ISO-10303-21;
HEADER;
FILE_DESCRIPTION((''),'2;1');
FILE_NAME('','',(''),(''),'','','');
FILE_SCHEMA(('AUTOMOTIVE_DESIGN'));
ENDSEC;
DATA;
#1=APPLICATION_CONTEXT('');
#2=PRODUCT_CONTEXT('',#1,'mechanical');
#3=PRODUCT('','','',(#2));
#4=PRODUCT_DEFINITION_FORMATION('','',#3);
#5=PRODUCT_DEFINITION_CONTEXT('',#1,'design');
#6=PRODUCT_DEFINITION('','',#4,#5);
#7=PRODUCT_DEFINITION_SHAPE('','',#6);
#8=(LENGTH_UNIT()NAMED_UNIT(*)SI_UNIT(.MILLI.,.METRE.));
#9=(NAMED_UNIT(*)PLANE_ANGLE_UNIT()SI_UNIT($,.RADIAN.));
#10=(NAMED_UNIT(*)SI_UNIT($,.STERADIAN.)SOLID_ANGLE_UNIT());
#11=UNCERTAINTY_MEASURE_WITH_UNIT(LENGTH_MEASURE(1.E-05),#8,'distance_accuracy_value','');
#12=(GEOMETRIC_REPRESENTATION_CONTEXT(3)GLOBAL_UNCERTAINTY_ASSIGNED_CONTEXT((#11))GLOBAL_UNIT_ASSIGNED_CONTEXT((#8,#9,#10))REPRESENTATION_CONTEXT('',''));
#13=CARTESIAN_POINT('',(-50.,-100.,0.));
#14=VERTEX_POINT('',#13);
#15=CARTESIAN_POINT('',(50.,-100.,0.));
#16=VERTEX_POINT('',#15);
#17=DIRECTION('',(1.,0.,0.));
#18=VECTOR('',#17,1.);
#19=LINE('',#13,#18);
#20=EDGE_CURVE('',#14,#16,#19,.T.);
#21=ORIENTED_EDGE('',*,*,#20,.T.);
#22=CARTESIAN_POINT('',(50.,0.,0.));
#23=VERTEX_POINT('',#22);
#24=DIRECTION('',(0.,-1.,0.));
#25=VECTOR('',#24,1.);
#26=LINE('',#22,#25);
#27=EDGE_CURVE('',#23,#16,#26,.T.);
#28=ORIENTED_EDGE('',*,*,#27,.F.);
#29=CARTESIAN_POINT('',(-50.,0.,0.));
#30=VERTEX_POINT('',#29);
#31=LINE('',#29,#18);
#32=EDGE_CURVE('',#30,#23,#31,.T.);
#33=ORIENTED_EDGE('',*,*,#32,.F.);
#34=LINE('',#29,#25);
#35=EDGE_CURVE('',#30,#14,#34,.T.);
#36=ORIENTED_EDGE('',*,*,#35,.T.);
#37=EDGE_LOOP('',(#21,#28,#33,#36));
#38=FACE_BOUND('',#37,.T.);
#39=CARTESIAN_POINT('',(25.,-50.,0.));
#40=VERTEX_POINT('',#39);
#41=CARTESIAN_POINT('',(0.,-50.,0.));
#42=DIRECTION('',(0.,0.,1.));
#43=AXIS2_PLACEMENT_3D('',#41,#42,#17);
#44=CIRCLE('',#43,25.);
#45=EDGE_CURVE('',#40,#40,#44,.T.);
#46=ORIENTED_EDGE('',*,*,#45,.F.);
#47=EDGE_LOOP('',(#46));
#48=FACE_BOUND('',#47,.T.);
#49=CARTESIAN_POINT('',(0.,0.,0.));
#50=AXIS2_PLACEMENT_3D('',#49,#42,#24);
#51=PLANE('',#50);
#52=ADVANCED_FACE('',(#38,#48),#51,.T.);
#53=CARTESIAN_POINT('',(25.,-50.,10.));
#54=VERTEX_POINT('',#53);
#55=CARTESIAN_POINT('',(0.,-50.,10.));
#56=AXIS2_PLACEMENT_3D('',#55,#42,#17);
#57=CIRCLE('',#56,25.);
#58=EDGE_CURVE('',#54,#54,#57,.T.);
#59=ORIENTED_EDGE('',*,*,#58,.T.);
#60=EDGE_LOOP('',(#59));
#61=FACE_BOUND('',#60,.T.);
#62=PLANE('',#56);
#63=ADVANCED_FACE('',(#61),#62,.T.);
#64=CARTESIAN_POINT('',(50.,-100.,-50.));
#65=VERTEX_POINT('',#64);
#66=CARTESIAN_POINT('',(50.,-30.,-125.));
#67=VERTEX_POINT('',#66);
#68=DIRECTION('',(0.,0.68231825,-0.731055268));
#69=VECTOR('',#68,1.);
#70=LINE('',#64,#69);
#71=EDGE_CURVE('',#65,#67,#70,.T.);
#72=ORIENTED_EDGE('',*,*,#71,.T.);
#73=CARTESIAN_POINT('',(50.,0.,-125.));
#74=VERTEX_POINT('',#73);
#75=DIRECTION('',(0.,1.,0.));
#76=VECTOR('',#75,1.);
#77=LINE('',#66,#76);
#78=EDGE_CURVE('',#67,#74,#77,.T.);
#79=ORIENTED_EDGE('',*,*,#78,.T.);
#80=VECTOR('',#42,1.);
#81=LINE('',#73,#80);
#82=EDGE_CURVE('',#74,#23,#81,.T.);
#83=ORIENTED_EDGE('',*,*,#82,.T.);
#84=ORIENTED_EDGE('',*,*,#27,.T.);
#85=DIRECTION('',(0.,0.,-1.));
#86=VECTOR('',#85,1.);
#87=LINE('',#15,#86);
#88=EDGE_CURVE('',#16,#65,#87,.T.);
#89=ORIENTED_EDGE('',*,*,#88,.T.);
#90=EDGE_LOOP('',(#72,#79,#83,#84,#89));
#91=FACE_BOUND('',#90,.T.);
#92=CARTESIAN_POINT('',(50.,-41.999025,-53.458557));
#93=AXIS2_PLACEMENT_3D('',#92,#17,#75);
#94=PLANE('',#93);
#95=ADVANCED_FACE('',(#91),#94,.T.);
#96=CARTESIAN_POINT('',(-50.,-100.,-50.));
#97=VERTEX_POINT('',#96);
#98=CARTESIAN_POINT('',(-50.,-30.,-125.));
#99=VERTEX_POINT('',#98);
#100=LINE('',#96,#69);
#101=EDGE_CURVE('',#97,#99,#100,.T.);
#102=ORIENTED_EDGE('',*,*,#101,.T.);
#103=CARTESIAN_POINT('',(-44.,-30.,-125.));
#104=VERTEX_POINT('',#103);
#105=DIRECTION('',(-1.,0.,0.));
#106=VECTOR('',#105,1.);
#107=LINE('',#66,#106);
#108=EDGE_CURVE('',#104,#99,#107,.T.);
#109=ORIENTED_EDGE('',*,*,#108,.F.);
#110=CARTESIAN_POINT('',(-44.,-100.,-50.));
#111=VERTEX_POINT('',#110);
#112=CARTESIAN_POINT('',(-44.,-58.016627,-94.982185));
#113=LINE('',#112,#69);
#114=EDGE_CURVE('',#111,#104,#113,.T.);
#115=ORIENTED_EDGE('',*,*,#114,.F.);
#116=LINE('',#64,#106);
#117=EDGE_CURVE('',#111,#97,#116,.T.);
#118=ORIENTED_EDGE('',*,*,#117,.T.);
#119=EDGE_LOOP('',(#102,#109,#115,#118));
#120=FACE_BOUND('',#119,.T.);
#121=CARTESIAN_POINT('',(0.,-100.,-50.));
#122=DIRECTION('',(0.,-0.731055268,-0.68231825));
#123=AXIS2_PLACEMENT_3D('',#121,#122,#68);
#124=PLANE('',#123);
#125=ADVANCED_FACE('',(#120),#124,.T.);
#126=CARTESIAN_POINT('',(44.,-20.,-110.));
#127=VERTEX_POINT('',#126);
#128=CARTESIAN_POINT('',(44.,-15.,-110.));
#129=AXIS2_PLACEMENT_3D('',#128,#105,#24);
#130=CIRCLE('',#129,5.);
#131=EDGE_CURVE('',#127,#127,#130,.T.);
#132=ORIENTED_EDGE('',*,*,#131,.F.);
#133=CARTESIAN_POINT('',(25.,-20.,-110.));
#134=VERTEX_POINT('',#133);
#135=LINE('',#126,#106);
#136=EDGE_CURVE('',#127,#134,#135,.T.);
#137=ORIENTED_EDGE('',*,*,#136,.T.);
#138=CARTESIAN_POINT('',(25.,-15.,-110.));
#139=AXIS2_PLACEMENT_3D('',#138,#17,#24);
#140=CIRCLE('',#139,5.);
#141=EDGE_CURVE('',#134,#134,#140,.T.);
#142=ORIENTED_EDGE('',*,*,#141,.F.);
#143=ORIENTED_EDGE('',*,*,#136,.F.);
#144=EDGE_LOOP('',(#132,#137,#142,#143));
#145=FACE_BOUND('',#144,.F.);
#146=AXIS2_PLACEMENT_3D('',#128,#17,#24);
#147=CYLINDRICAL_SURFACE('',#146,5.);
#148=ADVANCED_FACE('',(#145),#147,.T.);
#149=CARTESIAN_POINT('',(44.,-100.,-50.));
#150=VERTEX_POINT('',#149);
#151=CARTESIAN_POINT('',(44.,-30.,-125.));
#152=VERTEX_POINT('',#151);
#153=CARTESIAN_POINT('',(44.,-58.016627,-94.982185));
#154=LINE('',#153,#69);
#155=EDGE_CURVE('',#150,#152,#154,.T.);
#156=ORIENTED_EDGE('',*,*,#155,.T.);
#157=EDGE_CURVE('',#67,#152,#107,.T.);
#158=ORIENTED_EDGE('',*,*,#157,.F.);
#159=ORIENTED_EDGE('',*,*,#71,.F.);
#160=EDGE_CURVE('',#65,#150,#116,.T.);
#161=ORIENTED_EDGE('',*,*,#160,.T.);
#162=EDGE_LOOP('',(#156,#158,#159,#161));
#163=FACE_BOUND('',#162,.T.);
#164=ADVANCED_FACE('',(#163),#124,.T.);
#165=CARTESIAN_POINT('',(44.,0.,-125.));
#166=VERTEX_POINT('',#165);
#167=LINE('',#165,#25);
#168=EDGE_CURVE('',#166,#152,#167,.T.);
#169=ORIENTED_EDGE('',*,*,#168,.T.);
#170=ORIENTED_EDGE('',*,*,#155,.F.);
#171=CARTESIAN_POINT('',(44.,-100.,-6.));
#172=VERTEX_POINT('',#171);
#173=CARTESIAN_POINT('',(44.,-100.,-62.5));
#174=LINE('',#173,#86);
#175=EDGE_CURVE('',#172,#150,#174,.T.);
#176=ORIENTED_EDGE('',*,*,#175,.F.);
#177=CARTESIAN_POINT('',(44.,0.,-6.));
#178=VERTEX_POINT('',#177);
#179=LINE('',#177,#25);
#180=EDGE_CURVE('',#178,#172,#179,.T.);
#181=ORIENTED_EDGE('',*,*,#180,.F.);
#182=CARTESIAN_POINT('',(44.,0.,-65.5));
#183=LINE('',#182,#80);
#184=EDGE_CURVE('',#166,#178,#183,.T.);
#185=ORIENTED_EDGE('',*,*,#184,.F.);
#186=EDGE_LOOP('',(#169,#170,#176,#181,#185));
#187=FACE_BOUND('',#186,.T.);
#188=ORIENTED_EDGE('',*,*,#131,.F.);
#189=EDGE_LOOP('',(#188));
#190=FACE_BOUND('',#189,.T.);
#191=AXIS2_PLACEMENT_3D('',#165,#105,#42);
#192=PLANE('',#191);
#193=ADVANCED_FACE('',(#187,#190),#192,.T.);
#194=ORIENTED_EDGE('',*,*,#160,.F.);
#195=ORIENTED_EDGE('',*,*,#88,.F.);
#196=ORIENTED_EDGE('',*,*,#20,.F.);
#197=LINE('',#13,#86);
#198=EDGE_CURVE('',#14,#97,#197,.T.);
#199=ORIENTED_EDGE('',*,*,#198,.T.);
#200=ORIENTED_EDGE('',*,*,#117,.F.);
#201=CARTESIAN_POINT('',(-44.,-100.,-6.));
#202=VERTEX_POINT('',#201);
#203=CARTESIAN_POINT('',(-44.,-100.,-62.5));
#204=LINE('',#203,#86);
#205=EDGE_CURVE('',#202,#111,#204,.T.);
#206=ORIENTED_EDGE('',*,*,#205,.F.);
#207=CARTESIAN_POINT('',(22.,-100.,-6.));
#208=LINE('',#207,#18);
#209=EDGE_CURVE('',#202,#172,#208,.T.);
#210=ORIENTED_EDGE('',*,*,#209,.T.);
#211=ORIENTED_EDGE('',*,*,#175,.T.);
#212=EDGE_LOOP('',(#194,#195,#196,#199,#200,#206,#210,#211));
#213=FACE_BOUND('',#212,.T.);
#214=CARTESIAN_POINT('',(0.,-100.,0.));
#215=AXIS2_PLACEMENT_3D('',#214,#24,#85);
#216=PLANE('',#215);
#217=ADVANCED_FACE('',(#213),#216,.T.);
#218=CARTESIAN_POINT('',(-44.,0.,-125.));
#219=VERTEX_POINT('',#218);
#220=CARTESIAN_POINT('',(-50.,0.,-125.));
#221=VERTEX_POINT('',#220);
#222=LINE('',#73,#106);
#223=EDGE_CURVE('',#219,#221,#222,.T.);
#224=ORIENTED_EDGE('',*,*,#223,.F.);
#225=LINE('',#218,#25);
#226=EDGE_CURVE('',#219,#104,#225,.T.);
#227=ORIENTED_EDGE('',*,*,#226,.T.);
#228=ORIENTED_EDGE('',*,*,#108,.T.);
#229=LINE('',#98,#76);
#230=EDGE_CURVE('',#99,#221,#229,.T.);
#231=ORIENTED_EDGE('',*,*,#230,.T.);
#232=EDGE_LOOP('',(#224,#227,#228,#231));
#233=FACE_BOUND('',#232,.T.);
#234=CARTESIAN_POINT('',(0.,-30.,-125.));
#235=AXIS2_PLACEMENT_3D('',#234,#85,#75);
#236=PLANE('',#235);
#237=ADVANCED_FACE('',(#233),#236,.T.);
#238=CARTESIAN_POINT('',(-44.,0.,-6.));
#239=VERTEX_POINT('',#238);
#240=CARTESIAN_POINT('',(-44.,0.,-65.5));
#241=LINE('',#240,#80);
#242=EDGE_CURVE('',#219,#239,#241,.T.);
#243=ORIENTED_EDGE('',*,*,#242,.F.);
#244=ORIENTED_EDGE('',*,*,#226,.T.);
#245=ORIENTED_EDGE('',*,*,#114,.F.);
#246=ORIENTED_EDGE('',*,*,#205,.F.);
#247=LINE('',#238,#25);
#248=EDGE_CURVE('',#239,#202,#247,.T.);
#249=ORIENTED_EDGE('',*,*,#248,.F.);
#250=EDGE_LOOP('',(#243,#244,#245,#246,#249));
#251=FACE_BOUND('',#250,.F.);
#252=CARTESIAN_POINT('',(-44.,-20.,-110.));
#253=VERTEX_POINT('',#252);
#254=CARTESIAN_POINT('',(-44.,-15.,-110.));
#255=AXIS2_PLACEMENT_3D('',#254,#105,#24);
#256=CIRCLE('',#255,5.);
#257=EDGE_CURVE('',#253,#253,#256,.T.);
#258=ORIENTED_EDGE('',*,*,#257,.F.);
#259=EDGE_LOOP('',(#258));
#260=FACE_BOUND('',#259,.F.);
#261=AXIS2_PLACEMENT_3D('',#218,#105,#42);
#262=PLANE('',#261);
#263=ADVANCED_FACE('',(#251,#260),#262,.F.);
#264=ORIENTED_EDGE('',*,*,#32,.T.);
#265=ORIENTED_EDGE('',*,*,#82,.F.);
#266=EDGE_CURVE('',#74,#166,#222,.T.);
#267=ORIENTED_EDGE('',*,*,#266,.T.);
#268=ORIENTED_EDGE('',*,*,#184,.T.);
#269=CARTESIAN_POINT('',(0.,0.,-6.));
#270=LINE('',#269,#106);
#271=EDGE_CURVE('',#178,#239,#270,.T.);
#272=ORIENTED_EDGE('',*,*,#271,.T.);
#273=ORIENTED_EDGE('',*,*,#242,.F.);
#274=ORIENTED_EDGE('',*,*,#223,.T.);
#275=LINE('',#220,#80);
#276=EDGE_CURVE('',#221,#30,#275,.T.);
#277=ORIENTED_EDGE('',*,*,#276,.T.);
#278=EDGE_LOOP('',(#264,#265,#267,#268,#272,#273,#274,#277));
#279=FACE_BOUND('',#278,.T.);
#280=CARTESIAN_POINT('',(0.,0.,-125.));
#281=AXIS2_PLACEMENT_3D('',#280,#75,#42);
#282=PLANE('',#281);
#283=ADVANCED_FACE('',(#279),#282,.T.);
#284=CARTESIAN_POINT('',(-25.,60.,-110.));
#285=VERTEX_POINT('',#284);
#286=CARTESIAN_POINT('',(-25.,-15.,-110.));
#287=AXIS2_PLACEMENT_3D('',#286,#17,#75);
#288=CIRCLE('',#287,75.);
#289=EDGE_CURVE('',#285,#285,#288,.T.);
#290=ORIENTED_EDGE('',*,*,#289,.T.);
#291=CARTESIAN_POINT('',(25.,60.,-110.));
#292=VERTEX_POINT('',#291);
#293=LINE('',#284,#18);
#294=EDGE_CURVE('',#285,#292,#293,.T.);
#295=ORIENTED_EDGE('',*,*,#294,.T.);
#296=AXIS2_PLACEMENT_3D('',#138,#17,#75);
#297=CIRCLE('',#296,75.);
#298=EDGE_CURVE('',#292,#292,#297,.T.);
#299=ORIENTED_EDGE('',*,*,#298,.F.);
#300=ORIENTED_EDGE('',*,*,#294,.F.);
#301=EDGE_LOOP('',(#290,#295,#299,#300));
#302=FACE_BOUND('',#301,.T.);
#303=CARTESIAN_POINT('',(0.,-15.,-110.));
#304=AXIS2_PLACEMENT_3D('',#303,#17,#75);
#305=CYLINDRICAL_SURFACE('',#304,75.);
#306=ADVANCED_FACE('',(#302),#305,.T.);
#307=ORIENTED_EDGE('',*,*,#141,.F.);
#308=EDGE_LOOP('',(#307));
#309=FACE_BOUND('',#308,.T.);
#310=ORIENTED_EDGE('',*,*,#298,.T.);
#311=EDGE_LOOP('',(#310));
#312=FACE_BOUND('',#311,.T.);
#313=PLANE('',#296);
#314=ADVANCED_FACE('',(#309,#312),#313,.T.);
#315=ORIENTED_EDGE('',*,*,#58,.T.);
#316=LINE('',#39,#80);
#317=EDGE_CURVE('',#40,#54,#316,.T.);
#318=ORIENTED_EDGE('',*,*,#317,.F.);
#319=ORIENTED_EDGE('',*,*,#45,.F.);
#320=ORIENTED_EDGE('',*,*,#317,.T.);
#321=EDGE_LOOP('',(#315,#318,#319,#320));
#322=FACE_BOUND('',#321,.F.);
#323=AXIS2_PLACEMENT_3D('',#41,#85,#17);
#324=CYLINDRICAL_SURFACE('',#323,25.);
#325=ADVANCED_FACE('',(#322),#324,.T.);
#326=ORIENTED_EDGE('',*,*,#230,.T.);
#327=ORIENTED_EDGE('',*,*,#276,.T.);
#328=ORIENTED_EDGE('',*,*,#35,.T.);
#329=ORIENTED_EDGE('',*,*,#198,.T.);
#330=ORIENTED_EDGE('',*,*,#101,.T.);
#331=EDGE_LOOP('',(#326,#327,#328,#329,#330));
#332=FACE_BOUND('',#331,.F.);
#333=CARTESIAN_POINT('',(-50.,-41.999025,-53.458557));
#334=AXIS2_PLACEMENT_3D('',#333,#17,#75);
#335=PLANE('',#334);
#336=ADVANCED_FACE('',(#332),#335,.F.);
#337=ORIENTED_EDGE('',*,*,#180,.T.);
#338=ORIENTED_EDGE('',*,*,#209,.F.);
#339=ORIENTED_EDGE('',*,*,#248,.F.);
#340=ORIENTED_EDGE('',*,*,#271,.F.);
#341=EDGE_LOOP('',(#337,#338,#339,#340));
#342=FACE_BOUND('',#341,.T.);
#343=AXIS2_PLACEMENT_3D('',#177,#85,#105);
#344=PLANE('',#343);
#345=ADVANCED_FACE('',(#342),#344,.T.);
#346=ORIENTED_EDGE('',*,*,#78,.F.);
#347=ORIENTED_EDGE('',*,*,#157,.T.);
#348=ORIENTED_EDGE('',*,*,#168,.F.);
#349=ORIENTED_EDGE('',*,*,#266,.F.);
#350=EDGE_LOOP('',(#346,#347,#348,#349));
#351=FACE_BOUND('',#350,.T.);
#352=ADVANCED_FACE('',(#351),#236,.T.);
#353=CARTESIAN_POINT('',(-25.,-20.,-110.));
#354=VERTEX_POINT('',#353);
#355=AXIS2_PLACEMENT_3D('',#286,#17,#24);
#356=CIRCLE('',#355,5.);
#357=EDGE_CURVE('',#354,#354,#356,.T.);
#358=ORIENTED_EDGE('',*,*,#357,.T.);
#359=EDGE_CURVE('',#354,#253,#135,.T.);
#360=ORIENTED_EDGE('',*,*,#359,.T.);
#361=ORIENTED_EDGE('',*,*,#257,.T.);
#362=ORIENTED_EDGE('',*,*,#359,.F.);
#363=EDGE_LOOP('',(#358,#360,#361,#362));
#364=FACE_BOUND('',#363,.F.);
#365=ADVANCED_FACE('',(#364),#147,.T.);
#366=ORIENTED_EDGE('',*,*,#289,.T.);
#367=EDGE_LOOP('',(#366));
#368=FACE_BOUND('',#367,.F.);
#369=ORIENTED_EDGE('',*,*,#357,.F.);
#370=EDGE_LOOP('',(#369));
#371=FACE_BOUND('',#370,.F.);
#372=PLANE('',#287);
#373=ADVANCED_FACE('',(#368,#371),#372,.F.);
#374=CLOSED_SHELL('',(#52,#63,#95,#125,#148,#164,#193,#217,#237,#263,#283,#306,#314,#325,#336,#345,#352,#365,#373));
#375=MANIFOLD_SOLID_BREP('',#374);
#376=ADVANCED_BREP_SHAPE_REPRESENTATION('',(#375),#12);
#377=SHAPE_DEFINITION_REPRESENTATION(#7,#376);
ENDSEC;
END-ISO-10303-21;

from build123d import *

# Parameters (mm, degrees)
F1_DEPTH = 50
F2_W     = 88
F2_H     = 119
F3_DEPTH = 100.001
F4_R     = 5
F5_DEPTH = 88
F6_R     = 25
F7_DEPTH = 10
F8_R     = 75
F9_DEPTH = 25


with BuildPart() as f1:
    # F0 (on Right) → F1 (new body, symmetric)
    with BuildSketch(Plane.YZ):
        Polygon((0, -125), (0, 0), (-100, 0), (-100, -50), (-30, -125), align=None)
    extrude(amount=F1_DEPTH, both=True)

    # F2 (on face) → F3 (cut, through all)
    with BuildSketch(Plane(origin=(0, 0, 0), x_dir=(-1, 0, 0), z_dir=(0, 1, 0))):
        with Locations((0, -65.5)):
            Rectangle(F2_W, F2_H)
    extrude(amount=-F3_DEPTH, mode=Mode.SUBTRACT)

    # F4 (on face) → F5 (join, through all)
    with BuildSketch(Plane(origin=(44, 0, 0), x_dir=(0, -1, 0), z_dir=(-1, 0, 0))):
        with Locations((15, -110)):
            Circle(F4_R)
    extrude(amount=F5_DEPTH)

    # F6 (on face) → F7 (join)
    with BuildSketch(Plane.XY):
        with Locations((0, -50)):
            Circle(F6_R)
    extrude(amount=F7_DEPTH)

    # F8 (on Right) → F9 (join, symmetric)
    with BuildSketch(Plane.YZ):
        with Locations((-15, -110)):
            Circle(F8_R)
    extrude(amount=F9_DEPTH, both=True)


solid = f1.part
